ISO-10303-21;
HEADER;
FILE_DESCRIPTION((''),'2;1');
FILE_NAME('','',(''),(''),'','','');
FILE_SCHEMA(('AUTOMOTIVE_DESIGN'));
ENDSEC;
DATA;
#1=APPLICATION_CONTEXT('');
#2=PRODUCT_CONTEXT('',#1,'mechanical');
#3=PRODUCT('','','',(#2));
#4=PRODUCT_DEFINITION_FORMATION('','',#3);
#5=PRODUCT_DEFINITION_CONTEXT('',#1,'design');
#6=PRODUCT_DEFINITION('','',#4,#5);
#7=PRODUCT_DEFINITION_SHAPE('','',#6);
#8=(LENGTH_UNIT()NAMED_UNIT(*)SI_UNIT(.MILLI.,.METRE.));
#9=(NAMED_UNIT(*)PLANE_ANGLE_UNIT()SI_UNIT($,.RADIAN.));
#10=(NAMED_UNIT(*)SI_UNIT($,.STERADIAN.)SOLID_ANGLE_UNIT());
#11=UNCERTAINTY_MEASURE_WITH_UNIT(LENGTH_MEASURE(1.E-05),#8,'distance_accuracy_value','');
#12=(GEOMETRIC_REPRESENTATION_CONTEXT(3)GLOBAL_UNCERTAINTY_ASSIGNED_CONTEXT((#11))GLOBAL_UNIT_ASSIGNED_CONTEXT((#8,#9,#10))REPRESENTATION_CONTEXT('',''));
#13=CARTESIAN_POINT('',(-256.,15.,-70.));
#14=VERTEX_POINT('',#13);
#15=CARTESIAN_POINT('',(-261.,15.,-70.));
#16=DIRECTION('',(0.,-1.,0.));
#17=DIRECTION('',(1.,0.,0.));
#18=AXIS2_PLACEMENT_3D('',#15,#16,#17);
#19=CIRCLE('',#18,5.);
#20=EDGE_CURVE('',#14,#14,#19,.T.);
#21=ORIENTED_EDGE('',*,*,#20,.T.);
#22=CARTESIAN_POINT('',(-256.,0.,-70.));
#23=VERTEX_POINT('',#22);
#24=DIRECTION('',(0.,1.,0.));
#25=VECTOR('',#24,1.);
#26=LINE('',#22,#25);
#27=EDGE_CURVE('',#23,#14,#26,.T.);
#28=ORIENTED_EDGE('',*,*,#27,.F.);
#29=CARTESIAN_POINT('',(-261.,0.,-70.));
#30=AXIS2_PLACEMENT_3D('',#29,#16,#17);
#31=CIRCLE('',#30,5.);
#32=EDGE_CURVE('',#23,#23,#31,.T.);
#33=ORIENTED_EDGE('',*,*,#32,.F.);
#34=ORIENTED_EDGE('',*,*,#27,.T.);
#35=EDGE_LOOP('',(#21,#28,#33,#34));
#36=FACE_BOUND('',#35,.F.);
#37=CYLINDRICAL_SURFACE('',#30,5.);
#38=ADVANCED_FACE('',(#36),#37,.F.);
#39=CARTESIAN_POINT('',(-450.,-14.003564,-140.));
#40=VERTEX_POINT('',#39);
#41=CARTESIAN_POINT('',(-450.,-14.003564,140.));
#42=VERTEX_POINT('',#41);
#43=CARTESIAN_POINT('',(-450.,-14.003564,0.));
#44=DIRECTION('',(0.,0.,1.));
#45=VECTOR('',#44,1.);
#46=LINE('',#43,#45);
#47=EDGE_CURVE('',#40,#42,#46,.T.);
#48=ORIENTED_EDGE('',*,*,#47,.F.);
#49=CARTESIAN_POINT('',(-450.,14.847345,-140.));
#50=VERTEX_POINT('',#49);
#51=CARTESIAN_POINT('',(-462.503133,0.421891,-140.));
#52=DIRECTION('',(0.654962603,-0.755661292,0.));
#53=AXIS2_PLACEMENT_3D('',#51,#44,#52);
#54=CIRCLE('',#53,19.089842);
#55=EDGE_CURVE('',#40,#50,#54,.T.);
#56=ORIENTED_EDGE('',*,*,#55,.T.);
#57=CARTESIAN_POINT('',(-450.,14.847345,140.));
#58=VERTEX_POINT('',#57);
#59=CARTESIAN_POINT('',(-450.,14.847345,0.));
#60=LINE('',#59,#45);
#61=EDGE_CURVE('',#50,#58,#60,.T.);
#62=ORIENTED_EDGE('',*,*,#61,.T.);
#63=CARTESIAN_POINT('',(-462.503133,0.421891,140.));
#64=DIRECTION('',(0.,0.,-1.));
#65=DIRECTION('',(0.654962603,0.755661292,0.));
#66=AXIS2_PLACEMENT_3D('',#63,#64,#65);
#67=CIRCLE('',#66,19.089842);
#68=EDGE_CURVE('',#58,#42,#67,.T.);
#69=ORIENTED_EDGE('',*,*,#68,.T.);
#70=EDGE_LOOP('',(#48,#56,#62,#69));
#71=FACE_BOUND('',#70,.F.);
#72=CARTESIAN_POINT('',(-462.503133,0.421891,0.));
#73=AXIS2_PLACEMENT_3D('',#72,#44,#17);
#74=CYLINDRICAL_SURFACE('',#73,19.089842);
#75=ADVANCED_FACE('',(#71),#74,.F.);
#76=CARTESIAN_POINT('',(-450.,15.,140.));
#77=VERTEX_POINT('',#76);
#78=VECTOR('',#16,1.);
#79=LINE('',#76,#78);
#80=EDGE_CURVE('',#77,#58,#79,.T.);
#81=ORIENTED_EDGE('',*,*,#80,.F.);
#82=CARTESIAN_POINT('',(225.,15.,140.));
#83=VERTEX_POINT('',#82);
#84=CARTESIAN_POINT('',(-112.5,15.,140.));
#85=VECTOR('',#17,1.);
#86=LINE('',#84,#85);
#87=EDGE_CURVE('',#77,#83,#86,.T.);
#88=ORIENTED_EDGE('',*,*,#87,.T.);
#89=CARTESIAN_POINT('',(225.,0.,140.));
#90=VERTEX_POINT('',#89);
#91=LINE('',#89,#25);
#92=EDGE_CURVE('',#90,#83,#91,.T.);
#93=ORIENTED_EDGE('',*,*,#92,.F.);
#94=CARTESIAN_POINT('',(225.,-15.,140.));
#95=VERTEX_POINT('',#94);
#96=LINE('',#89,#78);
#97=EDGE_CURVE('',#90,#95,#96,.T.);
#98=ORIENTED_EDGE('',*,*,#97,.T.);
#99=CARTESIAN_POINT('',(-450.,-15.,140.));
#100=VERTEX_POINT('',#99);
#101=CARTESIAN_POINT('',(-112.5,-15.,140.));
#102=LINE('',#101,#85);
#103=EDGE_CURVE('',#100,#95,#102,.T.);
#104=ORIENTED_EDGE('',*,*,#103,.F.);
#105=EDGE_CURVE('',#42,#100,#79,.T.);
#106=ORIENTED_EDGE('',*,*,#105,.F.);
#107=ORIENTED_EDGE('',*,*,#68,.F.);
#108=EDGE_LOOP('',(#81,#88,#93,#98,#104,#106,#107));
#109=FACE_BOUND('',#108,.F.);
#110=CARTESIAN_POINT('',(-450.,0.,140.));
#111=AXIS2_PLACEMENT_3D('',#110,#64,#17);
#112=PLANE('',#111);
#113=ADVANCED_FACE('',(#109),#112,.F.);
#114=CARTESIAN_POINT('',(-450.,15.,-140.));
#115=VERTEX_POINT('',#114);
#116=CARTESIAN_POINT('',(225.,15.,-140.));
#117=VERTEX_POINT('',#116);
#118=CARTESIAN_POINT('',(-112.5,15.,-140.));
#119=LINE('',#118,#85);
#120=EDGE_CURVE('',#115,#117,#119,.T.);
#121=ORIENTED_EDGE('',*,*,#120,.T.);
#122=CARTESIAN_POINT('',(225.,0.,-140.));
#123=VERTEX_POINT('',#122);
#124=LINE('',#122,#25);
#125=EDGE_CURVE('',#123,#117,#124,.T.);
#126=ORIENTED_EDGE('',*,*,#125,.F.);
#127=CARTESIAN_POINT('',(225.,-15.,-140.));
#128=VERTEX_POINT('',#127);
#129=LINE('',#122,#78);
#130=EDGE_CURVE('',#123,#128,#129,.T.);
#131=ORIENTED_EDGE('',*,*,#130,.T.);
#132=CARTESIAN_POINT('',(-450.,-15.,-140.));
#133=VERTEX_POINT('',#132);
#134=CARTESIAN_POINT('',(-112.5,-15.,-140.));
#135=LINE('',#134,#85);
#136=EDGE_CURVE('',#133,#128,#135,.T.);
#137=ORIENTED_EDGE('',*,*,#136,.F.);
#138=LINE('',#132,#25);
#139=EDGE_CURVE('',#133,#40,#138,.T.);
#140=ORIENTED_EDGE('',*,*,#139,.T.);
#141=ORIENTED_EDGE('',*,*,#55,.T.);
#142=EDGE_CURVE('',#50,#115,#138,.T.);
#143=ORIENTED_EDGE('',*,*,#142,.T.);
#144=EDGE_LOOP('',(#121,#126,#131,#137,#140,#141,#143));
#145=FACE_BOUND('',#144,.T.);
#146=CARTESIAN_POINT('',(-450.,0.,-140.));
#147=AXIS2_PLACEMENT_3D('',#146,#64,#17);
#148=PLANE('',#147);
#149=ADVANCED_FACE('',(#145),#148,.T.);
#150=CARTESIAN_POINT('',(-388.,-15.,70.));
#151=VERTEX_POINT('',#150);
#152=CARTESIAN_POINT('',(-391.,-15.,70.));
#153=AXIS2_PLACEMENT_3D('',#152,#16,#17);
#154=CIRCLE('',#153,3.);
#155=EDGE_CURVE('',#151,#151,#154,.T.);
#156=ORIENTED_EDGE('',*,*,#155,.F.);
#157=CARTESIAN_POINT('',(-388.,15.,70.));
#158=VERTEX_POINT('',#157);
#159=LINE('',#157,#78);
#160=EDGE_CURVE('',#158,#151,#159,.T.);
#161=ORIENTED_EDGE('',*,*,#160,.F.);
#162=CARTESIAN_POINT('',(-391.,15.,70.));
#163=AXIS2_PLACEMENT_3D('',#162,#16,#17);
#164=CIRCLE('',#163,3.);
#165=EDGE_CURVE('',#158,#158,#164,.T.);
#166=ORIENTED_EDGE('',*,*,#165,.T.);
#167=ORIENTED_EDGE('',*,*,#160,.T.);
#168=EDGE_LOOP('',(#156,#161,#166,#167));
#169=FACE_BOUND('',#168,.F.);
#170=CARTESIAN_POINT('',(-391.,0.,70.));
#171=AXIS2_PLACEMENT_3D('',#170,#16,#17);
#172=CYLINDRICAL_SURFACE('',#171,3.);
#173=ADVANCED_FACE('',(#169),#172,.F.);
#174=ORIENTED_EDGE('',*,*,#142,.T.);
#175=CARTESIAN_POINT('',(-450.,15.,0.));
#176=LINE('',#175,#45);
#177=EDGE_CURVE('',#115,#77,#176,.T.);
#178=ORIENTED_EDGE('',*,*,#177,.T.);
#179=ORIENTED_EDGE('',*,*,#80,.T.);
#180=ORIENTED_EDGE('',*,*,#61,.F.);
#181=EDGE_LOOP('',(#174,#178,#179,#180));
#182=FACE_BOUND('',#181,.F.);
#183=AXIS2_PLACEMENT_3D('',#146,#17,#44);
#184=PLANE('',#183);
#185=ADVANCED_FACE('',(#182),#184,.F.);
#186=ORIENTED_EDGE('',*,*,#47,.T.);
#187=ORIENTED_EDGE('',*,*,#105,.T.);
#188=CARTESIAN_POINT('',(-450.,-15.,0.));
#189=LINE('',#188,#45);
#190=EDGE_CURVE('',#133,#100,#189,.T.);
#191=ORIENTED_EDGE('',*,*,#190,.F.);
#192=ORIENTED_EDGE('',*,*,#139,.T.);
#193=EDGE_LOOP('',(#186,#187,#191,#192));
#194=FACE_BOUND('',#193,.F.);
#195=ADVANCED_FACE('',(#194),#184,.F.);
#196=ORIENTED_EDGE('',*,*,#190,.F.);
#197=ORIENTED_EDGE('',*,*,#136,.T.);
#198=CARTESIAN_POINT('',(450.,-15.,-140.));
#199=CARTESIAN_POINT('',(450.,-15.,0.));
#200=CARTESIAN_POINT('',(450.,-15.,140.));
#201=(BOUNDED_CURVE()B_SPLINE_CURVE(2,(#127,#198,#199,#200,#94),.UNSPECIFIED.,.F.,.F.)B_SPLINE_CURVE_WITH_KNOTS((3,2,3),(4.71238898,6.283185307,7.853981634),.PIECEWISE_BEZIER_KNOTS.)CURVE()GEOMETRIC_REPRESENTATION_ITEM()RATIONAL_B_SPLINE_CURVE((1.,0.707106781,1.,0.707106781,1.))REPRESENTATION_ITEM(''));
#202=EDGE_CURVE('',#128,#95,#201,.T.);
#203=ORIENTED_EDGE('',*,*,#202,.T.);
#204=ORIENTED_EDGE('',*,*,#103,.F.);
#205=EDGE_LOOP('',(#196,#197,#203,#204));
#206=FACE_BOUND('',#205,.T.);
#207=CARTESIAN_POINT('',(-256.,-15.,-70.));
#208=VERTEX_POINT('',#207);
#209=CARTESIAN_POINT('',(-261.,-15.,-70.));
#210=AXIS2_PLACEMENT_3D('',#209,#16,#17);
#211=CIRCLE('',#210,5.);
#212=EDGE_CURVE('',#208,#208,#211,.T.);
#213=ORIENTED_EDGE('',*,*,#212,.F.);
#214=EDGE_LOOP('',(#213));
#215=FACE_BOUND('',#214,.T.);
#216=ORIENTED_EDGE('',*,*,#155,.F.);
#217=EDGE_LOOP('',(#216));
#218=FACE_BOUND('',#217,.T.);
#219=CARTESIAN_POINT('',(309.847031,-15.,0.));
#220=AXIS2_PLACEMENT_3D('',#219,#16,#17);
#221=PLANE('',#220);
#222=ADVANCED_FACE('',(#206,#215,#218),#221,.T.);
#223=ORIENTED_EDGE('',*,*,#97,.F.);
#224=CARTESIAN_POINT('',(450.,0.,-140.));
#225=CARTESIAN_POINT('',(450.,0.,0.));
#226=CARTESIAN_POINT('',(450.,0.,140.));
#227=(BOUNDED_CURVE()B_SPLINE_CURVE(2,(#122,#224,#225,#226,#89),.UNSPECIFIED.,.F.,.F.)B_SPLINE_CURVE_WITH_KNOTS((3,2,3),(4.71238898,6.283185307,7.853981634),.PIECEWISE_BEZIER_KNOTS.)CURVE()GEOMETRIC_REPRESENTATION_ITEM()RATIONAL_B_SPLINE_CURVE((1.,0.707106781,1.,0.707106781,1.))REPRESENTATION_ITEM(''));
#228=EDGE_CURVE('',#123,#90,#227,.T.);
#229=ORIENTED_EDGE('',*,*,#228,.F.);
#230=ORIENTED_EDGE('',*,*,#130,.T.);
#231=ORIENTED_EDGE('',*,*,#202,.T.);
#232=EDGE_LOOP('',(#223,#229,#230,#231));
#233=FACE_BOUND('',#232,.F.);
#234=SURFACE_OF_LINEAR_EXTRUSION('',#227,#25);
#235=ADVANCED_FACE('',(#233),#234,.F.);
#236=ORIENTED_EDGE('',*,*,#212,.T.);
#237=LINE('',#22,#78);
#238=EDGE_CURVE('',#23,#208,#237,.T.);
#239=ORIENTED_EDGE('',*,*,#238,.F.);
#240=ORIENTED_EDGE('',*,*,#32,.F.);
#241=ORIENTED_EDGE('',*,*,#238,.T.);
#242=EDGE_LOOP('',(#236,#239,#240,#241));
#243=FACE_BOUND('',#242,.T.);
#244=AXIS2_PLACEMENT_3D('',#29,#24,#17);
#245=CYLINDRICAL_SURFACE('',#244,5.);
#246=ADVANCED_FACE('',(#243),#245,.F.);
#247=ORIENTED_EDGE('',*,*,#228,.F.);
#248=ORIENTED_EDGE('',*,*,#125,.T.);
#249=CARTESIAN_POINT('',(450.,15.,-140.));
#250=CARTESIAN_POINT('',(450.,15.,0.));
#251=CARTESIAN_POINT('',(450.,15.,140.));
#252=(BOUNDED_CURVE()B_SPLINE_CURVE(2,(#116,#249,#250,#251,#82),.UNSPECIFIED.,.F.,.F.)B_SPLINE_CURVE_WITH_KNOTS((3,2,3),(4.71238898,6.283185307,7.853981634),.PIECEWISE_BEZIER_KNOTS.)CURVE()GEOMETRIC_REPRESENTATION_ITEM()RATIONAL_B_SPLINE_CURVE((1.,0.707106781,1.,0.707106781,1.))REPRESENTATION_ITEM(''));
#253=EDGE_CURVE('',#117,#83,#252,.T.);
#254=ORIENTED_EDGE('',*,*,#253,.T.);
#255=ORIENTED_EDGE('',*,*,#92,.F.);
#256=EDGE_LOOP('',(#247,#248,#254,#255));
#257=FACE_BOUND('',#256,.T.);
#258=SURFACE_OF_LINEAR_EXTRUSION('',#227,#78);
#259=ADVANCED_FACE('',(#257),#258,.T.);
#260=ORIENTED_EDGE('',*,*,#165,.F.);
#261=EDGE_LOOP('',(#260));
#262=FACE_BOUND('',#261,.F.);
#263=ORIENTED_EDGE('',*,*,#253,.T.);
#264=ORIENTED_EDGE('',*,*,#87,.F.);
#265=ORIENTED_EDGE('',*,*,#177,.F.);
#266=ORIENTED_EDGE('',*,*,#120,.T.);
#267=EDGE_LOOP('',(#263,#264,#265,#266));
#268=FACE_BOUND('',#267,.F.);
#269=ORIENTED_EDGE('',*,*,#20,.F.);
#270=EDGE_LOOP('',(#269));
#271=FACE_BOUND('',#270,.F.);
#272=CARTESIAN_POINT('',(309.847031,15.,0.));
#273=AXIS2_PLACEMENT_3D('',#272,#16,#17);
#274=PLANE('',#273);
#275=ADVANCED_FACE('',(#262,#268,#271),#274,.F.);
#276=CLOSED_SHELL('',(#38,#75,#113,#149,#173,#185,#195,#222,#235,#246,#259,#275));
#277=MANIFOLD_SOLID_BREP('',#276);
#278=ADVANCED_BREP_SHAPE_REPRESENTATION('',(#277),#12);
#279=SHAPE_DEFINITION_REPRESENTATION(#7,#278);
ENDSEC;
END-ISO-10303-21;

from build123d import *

# Parameters (mm, degrees)
F0_W     = 675
F0_H     = 280
F1_DEPTH = 15
F2_R     = 5
F2_R_2   = 3
F3_DEPTH = 15
F4_R     = 19.0898423248
F5_DEPTH = 140


with BuildPart() as f1:
    # F0 (on Front) → F1 (new body, symmetric)
    with BuildSketch(Plane.XZ):
        with BuildLine():
            Line((225, 140), (225, -140))
            add(Edge.make_bspline(
                [(225, -140), (450, -140), (450, 0), (450, 140), (225, 140)],
                knots=[4.7123889804, 4.7123889804, 4.7123889804, 6.2831853072, 6.2831853072, 7.853981634, 7.853981634, 7.853981634], degree=2, weights=[1, 0.7071067812, 1, 0.7071067812, 1]))
        make_face()
        with Locations((-112.5, 0)):
            Rectangle(F0_W, F0_H)
    extrude(amount=F1_DEPTH, both=True)

    # F2 (on Front) → F3 (cut, symmetric)
    with BuildSketch(Plane.XZ):
        with Locations((-261, -70)):
            Circle(F2_R)
        with Locations((-391, 70)):
            Circle(F2_R_2)
    extrude(amount=F3_DEPTH, both=True, mode=Mode.SUBTRACT)

    # F4 (on Top) → F5 (cut, symmetric)
    with BuildSketch(Plane.XY):
        with Locations((-462.5031328228, 0.4218905233)):
            Circle(F4_R)
    extrude(amount=F5_DEPTH, both=True, mode=Mode.SUBTRACT)


solid = f1.part
